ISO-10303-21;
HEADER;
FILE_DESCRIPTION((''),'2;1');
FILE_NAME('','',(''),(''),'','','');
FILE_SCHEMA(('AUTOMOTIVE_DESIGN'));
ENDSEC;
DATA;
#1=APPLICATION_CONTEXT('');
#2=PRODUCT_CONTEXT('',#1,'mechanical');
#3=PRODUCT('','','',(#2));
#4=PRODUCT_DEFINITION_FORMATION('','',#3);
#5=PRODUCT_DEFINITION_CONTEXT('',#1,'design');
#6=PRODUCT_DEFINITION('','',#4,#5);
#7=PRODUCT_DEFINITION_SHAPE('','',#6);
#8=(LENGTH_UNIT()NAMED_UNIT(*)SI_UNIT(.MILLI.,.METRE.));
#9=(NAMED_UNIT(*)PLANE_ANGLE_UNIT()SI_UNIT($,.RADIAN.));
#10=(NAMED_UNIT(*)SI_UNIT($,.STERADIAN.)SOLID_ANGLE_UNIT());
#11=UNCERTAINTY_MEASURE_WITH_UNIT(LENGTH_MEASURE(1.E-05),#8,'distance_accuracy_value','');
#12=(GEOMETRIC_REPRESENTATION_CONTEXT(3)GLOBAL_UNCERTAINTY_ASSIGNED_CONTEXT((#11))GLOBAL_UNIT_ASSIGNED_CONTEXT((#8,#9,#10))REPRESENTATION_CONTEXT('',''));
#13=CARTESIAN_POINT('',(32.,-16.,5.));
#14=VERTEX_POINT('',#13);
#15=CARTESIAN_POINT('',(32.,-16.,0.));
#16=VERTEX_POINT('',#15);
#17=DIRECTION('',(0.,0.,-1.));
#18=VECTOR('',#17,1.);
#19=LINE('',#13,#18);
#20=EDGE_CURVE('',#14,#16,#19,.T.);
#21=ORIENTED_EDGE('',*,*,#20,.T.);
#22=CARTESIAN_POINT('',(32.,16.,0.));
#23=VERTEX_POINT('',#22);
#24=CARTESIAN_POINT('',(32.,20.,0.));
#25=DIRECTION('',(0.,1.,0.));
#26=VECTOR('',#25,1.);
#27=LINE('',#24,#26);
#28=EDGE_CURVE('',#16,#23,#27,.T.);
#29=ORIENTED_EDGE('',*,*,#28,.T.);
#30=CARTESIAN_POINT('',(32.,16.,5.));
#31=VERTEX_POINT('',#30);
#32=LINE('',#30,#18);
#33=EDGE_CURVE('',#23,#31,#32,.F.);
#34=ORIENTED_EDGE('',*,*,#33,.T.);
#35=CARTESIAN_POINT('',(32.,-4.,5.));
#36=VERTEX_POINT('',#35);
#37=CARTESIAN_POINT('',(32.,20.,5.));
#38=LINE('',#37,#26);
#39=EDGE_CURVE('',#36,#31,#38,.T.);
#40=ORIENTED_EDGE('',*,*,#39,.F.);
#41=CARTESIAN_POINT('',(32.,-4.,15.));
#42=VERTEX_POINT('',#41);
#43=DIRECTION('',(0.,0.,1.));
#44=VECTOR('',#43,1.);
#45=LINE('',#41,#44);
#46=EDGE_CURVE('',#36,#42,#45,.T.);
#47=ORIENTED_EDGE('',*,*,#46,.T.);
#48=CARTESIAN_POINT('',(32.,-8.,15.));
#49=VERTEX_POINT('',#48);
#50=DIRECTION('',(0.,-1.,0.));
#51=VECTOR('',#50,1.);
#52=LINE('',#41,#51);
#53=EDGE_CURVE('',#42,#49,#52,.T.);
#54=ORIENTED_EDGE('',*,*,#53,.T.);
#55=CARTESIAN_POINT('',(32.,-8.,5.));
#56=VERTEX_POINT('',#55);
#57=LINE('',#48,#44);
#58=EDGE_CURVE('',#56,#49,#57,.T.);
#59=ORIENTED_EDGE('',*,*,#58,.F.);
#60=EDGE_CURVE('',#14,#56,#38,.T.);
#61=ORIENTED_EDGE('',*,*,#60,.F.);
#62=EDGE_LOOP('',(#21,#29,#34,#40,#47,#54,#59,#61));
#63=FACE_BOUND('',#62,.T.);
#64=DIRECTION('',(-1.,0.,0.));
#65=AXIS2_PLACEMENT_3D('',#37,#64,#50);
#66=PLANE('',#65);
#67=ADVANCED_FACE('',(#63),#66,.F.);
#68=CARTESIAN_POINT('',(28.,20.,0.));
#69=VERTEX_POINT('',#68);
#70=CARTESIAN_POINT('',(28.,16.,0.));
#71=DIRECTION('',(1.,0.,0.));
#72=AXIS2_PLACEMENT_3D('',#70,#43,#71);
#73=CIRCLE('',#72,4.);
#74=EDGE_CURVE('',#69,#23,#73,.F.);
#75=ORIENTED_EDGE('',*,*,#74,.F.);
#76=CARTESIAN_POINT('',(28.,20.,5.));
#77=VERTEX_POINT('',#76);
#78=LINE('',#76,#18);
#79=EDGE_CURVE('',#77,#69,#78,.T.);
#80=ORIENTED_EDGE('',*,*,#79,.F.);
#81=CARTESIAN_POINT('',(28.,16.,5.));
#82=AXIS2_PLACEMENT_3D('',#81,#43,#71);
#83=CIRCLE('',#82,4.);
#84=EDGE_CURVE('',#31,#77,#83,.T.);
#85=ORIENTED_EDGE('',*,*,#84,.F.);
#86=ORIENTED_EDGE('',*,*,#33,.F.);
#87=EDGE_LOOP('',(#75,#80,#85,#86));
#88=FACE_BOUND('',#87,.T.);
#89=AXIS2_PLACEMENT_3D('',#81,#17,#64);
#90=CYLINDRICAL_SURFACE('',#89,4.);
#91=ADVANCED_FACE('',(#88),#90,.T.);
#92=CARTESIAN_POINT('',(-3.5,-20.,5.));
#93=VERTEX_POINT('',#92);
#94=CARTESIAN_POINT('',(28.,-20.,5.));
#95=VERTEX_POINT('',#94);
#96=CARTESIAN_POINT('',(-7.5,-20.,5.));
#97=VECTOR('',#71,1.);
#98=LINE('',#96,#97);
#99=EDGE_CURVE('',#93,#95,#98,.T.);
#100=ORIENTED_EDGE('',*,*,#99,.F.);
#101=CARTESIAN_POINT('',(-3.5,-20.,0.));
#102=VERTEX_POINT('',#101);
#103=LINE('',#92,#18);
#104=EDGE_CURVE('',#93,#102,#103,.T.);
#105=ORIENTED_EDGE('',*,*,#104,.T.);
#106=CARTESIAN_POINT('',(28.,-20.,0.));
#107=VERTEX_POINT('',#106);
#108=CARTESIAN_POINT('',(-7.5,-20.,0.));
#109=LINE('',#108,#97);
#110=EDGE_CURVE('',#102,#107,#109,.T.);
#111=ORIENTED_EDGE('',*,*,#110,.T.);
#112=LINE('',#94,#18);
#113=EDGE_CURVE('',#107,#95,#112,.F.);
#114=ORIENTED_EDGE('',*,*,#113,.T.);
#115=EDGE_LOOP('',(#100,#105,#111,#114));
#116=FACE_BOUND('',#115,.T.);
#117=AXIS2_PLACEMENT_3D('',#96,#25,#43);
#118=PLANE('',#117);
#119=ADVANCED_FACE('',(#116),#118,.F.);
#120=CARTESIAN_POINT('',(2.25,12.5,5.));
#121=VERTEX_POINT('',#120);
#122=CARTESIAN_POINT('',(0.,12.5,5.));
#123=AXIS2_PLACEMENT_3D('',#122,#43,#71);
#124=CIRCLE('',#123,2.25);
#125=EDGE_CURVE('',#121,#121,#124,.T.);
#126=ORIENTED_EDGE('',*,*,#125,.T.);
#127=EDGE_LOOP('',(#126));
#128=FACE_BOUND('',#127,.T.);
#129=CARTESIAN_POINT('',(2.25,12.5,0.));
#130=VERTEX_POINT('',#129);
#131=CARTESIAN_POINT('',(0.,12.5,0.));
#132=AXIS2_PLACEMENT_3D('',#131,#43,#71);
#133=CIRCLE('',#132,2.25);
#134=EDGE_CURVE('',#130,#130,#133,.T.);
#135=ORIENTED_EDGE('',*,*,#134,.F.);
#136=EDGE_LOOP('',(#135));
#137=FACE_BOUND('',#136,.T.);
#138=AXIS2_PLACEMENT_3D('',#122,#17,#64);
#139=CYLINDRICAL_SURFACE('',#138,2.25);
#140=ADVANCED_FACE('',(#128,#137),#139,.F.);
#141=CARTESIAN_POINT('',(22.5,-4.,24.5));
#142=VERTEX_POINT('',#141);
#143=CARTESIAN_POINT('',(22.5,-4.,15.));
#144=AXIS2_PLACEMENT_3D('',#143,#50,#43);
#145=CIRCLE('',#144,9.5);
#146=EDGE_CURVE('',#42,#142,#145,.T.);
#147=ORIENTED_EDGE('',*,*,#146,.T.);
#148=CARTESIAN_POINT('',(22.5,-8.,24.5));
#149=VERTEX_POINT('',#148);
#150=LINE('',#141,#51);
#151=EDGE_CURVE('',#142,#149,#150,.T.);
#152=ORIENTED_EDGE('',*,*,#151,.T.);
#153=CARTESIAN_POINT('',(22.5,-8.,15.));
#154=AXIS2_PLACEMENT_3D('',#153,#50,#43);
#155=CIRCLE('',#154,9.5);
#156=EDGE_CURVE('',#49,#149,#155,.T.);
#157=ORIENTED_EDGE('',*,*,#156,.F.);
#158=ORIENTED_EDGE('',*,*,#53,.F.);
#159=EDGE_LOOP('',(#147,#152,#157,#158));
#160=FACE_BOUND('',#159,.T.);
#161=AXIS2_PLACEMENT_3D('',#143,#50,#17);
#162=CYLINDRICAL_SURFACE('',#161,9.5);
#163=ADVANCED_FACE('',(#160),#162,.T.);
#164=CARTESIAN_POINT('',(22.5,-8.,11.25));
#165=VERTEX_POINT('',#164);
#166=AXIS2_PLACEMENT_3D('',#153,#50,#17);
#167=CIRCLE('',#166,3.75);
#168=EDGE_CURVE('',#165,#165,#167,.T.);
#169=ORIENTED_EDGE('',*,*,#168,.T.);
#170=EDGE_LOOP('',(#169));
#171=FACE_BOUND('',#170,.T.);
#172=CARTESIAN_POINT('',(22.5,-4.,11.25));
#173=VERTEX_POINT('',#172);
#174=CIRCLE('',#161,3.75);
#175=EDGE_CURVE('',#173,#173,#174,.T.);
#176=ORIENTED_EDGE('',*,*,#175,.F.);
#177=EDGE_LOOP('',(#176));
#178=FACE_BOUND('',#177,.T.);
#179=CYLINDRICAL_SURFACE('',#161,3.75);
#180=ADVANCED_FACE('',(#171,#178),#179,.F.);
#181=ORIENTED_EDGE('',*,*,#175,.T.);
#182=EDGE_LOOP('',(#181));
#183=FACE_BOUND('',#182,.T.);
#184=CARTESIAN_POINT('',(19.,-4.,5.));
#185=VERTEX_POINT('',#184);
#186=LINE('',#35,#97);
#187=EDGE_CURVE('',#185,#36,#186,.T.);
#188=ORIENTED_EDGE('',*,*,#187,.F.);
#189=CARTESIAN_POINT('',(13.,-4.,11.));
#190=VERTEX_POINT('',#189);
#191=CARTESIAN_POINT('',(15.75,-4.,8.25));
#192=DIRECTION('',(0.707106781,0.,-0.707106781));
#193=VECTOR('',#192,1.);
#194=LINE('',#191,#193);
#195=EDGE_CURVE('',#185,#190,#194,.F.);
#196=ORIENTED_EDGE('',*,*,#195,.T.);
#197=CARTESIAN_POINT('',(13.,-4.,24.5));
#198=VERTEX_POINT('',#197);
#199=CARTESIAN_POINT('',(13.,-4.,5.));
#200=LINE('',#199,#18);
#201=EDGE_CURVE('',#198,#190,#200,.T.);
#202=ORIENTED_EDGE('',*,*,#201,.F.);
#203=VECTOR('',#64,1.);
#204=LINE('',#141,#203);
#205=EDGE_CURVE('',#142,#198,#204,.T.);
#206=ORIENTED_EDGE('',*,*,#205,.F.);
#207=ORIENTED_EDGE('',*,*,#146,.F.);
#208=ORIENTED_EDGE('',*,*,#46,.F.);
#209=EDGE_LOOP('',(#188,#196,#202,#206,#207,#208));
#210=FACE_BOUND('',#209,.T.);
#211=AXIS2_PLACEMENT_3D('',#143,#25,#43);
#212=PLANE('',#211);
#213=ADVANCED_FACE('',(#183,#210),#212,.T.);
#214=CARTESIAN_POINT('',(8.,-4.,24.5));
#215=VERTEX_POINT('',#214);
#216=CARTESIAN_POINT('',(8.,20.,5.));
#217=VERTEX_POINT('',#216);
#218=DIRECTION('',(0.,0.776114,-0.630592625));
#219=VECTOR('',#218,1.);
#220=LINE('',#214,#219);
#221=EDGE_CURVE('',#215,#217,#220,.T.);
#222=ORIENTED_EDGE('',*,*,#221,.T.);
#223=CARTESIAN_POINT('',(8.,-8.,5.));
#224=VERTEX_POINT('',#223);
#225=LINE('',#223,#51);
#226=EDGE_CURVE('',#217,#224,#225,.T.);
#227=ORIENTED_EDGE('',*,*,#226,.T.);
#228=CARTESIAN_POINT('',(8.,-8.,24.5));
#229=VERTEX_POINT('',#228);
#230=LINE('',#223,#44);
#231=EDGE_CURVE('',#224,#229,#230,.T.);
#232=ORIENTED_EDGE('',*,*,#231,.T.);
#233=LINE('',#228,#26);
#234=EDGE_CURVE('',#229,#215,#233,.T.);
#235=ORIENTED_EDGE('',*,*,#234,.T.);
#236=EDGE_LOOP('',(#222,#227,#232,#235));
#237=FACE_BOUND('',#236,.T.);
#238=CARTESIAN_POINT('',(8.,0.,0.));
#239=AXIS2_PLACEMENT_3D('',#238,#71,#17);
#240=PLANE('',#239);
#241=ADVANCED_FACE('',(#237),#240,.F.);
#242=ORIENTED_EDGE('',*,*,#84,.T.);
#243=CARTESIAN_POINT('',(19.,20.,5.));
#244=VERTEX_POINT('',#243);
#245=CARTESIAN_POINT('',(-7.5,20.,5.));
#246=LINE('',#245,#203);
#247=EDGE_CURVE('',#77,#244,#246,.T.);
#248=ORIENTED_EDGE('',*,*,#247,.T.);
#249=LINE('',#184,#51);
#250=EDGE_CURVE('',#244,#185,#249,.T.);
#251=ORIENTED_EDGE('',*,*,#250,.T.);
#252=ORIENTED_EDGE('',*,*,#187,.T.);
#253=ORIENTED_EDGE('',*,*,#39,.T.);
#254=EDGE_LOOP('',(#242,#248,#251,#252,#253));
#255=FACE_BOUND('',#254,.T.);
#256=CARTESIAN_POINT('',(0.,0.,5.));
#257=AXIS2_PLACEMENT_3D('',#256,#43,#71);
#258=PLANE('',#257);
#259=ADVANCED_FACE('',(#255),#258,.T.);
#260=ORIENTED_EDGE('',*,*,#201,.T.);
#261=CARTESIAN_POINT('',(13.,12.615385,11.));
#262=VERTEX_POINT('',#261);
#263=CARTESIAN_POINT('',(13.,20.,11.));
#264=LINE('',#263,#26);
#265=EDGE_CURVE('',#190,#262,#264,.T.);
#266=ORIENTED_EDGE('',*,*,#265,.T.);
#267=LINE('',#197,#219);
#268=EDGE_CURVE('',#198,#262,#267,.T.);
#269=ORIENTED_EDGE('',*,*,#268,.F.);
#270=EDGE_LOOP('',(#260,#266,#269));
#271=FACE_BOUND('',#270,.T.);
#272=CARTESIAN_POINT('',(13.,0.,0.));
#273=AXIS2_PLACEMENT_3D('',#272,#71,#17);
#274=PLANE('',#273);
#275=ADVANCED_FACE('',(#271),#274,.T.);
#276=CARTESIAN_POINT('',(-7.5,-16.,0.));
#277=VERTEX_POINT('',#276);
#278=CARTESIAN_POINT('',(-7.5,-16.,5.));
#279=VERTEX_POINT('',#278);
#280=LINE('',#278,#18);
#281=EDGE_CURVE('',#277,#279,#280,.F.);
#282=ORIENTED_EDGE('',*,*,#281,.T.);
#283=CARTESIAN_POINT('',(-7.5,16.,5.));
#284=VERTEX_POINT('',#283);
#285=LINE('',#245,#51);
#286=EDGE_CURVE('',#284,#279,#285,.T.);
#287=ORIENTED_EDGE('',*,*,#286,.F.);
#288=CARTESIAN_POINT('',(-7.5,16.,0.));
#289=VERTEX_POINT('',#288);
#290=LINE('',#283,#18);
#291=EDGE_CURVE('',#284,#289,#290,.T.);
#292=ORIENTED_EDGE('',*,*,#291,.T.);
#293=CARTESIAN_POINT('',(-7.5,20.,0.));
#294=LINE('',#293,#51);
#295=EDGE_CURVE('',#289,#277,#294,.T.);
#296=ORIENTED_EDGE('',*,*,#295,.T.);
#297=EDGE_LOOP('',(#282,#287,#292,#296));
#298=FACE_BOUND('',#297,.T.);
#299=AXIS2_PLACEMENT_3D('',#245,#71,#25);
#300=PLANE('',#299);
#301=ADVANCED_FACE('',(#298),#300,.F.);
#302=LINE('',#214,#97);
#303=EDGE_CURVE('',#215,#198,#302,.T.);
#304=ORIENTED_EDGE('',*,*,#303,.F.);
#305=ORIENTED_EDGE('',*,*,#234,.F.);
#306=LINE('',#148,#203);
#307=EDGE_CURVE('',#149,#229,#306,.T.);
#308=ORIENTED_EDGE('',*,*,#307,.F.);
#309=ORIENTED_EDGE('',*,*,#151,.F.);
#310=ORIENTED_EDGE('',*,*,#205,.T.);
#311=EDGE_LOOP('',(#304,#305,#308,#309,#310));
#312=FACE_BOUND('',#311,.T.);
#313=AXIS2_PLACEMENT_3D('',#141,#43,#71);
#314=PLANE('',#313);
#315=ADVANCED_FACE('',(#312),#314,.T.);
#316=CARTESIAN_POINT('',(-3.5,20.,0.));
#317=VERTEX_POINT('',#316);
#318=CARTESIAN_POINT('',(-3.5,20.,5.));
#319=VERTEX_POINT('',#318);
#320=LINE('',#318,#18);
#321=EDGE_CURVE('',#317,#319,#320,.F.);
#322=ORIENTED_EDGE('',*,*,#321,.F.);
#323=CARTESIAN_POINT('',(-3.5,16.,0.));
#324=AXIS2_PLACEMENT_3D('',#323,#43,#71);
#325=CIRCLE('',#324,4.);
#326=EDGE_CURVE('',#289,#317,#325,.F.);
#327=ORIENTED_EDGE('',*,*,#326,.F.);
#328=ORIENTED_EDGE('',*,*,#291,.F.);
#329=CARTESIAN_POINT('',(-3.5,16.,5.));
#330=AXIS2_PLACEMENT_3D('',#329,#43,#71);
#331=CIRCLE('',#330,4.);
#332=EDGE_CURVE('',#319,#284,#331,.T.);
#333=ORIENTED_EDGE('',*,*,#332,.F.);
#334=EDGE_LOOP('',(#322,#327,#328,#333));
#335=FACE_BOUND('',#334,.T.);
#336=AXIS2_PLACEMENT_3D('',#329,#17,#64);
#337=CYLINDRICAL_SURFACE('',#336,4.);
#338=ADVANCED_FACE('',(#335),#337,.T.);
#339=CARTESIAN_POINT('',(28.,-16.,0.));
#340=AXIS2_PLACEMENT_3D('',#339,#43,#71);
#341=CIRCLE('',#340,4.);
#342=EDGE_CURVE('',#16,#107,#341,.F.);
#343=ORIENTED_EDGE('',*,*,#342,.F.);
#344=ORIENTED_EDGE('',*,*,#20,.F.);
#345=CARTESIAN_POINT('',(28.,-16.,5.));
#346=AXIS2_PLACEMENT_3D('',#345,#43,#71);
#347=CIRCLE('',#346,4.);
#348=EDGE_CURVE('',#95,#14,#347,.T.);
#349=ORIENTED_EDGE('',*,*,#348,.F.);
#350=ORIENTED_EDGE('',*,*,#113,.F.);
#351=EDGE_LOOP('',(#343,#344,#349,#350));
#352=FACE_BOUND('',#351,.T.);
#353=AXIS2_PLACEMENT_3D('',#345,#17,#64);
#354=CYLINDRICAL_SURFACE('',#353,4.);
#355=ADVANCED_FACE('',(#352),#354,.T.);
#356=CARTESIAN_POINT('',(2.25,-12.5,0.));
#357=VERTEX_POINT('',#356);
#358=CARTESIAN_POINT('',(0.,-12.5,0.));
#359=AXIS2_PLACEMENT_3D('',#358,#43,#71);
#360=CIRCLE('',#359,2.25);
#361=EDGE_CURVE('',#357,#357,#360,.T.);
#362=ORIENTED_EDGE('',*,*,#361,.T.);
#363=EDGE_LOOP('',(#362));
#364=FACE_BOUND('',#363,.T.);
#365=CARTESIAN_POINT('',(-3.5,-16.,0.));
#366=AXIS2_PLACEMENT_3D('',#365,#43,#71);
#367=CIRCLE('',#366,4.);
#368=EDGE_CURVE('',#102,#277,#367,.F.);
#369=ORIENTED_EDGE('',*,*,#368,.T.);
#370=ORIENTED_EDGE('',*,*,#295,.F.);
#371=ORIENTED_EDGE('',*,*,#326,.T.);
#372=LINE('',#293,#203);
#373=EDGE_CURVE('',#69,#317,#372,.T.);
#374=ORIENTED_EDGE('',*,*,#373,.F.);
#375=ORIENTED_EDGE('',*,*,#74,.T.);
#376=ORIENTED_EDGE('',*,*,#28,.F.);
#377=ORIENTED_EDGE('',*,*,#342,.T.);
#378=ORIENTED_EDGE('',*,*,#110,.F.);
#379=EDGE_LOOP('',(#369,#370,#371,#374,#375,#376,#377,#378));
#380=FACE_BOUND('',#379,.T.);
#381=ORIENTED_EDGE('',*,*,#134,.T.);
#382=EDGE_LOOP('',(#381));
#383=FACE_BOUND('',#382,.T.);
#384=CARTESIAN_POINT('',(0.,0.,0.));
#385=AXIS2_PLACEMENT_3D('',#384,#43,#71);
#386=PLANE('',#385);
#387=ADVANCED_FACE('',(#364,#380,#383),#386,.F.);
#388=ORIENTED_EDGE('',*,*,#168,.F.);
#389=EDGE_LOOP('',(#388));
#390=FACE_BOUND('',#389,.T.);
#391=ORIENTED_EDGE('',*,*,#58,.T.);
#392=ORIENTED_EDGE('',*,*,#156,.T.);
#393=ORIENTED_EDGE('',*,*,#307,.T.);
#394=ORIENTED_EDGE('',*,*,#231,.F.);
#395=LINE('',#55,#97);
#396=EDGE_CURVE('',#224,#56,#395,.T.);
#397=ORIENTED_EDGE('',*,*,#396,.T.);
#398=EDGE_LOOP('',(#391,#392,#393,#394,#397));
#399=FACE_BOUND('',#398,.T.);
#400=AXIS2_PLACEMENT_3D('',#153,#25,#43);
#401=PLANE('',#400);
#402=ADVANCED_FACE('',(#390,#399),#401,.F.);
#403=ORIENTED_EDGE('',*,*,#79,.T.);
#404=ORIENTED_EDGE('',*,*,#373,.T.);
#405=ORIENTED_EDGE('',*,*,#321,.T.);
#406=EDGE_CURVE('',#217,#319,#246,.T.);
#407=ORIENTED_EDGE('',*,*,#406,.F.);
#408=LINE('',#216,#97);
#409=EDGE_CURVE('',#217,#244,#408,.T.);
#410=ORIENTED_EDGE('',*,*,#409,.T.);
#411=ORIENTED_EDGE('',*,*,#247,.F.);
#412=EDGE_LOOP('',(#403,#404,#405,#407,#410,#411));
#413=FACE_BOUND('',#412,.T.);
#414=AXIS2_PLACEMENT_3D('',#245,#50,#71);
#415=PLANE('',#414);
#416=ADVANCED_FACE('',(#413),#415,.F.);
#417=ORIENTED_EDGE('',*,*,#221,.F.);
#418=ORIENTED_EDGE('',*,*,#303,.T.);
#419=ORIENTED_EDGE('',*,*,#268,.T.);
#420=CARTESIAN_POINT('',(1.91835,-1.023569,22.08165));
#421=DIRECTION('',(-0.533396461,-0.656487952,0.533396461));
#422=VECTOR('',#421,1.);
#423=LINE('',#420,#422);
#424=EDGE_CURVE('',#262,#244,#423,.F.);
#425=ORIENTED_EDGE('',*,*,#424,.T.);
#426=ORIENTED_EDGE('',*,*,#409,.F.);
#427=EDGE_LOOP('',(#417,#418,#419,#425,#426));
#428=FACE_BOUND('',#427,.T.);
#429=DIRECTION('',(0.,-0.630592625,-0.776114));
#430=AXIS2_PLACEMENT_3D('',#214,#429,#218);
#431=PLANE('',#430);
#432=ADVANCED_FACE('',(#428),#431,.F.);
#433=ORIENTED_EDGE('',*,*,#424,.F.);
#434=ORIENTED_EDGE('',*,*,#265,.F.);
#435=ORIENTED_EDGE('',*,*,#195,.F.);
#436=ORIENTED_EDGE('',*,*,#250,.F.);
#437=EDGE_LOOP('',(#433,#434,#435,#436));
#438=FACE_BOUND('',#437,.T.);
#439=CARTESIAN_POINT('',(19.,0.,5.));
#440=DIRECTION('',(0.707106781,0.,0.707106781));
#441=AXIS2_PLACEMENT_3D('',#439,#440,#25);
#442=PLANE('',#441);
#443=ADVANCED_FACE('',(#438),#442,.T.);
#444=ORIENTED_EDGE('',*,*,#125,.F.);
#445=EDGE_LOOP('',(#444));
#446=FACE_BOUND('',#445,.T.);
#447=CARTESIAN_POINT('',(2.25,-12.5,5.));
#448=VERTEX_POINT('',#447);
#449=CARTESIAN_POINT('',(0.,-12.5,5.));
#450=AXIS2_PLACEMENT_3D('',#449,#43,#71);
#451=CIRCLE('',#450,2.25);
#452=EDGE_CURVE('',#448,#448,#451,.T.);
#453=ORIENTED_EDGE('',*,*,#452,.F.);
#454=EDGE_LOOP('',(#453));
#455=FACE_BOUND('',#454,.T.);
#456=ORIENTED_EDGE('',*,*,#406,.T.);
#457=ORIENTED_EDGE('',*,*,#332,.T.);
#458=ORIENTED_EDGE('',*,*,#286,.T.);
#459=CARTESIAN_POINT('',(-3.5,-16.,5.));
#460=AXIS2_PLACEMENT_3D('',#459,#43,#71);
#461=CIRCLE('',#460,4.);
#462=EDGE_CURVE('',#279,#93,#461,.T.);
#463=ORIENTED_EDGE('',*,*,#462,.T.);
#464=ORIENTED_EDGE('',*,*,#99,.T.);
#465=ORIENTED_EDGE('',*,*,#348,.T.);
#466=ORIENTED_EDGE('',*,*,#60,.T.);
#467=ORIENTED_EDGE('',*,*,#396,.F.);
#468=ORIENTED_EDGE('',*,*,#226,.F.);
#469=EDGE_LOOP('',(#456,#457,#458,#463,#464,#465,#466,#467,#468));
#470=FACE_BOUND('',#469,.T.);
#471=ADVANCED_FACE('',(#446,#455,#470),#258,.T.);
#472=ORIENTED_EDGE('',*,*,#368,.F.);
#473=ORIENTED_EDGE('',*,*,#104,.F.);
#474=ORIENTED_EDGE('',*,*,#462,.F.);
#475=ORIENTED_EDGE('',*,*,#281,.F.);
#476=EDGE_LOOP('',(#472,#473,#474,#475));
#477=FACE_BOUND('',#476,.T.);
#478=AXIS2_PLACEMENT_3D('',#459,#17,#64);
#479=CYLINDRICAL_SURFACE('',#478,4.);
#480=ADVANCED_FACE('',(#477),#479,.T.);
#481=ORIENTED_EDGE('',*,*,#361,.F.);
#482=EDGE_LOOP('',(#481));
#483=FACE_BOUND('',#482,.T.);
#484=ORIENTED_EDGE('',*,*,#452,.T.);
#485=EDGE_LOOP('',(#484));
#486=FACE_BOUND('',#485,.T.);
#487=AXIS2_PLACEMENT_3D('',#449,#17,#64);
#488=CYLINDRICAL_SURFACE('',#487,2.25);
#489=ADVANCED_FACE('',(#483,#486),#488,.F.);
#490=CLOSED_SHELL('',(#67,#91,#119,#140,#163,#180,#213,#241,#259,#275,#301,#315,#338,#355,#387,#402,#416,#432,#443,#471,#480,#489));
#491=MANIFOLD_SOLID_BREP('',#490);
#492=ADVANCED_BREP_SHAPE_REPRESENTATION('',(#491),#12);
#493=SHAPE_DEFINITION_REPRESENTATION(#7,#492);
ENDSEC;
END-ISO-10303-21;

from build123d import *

# Parameters (mm, degrees)
SKETCH1_W           = 39.5
SKETCH1_H           = 40
SKETCH1_R           = 2.25
BOSS_EXTRUDE1_DEPTH = 5
BOSS_EXTRUDE2_START = -12
SKETCH2_R           = 3.75
BOSS_EXTRUDE2_DEPTH = 4
BOSS_EXTRUDE3_DEPTH = 5
FILLET1_R           = 4
CHAMFER2_SIZE       = 6


with BuildPart() as part:
    # Sketch1 → Boss-Extrude1 (new body)
    with BuildSketch(Plane.XY):
        with Locations((12.25, 0)):
            Rectangle(SKETCH1_W, SKETCH1_H)
        with Locations((0, 12.5)):
            Circle(SKETCH1_R, mode=Mode.SUBTRACT)
        with Locations((0, -12.5)):
            Circle(SKETCH1_R, mode=Mode.SUBTRACT)
    extrude(amount=BOSS_EXTRUDE1_DEPTH)

    # Sketch2 → Boss-Extrude2 (add)
    with BuildSketch(Plane.XZ.offset(20).offset(BOSS_EXTRUDE2_START)):
        with BuildLine():
            Line((32, 5), (13, 5))
            Line((13, 5), (13, 24.5))
            Line((13, 24.5), (22.5, 24.5))
            ThreePointArc((22.5, 24.5), (29.217514421, 21.717514421), (32, 15))
            Line((32, 15), (32, 5))
        make_face()
        with Locations(Location((22.5, 15, 0), (0, 0, 270))):
            Circle(SKETCH2_R, mode=Mode.SUBTRACT)
    extrude(amount=-BOSS_EXTRUDE2_DEPTH)

    # Sketch3 → Boss-Extrude3 (add)
    with BuildSketch(Plane.ZY.offset(-13)):
        Polygon((24.5, -4), (5, 20), (5, -4), (5, -8), (24.5, -8), align=None)
    extrude(amount=BOSS_EXTRUDE3_DEPTH)

    # Fillet1
    fillet1_edges = [part.edges().sort_by_distance(p)[0] for p in [
        (32, 20, 2.5),
        (-7.5, -20, 2.5),
        (-7.5, 20, 2.5),
        (32, -20, 2.5),
    ]]
    fillet(fillet1_edges, radius=FILLET1_R)

    # Chamfer2
    chamfer2_edges = [part.edges().sort_by_distance(p)[0] for p in [
        (13, 8, 5),
    ]]
    chamfer(chamfer2_edges, length=CHAMFER2_SIZE)


solid = part.part
